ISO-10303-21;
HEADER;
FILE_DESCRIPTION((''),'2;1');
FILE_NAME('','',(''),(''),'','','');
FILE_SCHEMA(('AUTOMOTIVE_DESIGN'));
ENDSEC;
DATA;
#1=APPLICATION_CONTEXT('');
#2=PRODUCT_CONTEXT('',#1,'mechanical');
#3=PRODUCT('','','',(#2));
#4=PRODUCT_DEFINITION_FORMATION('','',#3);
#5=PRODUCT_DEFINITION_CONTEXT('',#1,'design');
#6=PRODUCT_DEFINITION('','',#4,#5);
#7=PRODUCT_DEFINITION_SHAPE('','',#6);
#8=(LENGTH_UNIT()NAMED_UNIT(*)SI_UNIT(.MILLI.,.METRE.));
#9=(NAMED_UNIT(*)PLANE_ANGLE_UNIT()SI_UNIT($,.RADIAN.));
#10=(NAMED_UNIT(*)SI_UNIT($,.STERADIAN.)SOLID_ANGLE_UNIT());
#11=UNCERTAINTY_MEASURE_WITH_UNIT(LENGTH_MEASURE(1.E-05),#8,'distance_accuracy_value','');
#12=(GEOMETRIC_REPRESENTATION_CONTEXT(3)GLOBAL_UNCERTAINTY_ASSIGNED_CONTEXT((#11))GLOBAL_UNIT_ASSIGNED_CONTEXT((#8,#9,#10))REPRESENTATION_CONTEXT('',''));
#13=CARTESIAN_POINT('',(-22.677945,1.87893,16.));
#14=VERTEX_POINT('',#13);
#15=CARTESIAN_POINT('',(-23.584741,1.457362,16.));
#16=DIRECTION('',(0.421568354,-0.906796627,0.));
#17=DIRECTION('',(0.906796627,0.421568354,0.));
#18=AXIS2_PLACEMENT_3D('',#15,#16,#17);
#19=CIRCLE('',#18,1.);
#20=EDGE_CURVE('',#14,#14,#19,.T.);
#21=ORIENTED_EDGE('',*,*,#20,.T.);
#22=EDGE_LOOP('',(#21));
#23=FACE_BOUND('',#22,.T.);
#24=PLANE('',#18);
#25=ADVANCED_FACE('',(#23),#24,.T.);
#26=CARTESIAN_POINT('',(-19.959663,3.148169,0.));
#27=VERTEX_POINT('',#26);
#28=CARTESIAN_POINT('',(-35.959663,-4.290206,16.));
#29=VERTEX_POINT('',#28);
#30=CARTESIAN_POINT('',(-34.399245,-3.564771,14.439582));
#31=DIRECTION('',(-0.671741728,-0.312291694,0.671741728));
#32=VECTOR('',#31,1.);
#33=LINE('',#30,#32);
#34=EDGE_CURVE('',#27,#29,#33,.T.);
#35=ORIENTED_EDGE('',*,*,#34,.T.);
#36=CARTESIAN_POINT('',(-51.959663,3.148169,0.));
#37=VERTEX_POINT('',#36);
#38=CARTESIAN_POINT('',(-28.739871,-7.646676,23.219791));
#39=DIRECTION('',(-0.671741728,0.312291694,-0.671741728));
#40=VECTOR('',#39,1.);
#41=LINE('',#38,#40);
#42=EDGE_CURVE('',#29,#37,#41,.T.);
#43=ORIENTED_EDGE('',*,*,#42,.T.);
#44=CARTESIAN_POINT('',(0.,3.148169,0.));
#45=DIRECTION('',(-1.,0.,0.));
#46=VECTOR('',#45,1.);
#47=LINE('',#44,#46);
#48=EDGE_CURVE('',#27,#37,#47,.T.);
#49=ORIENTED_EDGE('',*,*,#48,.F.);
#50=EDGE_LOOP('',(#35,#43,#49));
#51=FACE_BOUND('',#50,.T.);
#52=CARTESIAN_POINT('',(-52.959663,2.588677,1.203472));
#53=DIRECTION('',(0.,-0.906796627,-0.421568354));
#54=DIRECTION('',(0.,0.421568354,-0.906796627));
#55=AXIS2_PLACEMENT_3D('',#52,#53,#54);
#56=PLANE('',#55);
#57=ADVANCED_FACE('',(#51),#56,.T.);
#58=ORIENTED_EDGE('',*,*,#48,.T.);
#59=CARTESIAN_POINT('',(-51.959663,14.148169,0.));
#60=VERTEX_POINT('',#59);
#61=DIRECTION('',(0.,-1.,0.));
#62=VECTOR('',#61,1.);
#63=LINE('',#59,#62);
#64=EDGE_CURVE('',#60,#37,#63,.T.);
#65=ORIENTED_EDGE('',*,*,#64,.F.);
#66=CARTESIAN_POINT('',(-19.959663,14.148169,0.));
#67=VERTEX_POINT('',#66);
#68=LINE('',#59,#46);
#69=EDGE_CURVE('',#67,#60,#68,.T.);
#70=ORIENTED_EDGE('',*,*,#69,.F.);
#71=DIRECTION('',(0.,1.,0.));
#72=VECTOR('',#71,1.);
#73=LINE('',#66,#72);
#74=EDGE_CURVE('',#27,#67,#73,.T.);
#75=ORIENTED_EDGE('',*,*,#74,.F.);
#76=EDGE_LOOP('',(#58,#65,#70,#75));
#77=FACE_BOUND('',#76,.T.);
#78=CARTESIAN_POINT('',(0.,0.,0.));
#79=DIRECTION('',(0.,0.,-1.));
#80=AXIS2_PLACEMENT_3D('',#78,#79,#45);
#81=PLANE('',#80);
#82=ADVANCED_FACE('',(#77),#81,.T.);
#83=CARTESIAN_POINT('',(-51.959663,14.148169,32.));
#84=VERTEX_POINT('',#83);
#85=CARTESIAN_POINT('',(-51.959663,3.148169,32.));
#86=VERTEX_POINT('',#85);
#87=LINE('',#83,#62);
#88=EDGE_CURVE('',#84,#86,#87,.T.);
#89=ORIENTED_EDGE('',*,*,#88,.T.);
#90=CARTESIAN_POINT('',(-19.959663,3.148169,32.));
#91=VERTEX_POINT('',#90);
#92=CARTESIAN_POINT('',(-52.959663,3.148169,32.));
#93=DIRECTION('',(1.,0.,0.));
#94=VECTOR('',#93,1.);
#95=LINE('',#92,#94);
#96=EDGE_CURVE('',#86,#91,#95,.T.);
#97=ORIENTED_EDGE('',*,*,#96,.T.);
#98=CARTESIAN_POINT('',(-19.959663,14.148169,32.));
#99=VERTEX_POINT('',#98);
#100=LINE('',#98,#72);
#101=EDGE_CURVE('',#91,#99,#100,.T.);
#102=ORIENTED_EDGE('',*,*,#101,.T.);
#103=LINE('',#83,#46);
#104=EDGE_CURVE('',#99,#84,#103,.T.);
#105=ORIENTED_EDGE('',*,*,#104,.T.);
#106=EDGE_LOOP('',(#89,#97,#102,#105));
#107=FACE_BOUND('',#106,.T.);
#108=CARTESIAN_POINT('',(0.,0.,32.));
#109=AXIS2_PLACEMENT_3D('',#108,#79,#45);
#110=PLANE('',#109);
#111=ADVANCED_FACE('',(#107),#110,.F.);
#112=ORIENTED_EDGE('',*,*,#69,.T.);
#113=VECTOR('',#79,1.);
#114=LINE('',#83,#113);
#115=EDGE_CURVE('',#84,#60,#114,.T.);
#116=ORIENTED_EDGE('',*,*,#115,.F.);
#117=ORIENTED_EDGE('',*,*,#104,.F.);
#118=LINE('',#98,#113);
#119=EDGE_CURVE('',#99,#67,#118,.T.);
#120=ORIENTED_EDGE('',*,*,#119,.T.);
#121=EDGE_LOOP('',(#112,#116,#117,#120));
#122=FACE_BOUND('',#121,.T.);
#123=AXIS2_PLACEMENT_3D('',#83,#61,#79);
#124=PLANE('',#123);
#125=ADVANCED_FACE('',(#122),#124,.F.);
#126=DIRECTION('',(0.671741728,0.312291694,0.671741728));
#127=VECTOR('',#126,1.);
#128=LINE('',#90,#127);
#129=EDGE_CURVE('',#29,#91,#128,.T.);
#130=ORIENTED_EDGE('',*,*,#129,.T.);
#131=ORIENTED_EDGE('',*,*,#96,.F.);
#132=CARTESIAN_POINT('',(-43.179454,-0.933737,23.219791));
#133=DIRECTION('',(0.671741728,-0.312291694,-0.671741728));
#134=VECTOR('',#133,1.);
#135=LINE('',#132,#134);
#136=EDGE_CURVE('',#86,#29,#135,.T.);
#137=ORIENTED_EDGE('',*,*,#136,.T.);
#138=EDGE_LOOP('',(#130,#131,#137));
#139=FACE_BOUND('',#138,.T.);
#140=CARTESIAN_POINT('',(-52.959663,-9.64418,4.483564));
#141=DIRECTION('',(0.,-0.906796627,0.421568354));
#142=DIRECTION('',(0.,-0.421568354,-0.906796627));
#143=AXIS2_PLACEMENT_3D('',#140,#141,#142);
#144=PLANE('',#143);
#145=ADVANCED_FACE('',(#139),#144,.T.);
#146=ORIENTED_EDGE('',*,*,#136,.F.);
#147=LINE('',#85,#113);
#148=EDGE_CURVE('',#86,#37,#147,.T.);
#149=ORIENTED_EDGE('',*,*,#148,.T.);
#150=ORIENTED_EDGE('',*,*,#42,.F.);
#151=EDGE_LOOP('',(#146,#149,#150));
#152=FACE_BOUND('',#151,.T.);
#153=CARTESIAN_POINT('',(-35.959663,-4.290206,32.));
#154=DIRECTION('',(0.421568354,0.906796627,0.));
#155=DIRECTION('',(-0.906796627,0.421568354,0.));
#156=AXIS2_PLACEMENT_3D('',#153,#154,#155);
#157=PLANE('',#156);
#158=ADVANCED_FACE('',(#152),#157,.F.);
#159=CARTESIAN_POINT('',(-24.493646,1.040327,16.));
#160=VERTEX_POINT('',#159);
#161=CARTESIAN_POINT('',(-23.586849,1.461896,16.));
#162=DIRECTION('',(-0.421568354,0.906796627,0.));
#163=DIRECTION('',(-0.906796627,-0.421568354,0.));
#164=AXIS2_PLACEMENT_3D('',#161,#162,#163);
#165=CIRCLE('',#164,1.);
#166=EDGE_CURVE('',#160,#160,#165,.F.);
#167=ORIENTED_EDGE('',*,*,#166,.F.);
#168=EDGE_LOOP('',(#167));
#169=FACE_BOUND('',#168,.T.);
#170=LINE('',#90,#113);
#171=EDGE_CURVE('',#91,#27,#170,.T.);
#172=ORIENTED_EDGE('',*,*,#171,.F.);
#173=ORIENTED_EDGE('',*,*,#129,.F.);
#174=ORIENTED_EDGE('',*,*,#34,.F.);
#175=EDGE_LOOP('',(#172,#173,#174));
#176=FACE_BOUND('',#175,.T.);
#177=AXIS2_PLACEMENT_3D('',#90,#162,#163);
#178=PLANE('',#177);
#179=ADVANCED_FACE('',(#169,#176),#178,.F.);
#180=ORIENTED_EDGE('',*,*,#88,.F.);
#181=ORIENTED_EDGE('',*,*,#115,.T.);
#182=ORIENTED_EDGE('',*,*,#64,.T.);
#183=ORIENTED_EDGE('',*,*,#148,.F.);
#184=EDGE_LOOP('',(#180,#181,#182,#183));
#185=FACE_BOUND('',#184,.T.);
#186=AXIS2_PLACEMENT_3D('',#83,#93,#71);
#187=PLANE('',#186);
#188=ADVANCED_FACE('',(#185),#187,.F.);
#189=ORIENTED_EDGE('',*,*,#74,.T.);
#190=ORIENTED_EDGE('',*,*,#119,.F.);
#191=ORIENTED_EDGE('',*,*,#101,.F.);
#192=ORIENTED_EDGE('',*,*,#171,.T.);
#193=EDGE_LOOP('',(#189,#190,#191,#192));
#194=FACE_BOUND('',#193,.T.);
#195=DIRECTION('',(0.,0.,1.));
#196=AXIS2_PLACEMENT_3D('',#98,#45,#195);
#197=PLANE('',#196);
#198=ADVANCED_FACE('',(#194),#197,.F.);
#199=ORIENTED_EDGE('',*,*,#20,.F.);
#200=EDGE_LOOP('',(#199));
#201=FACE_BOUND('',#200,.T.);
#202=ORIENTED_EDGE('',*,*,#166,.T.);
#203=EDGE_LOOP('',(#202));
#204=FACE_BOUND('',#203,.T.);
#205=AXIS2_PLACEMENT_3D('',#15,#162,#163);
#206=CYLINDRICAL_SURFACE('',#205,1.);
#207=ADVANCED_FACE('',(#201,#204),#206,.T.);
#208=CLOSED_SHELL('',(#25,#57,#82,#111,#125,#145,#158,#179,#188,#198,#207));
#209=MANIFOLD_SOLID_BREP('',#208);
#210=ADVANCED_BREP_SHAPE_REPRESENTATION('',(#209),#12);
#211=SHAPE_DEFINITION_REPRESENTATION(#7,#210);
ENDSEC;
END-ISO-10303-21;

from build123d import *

# Parameters (mm, degrees)
SALIENTE_EXTRUIR1_DEPTH = 32
CORTAR_EXTRUIR1_DEPTH   = 33
CROQUIS4_R              = 1
SALIENTE_EXTRUIR2_DEPTH = 0.005


with BuildPart() as part:
    # Croquis1 → Saliente-Extruir1 (new body)
    with BuildSketch(Plane.XY):
        Polygon((-51.959662641, 14.148169014), (-51.959662641, 3.148169014), (-35.959662641, -4.290206314), (-19.959662641, 3.148169014), (-19.959662641, 14.148169014), align=None)
    extrude(amount=SALIENTE_EXTRUIR1_DEPTH)

    # Croquis2 → Cortar-Extruir1 (cut)
    with BuildSketch(Plane(origin=(-19.959662641, 0, 0), x_dir=(0, 0, -1), z_dir=(1, 0, 0))):
        Polygon((0, -4.290206314), (-16, -4.290206314), (0, 3.148169014), align=None)
        Polygon((-32, -4.290206314), (-32, 3.148169014), (-16, -4.290206314), align=None)
    extrude(amount=-CORTAR_EXTRUIR1_DEPTH, mode=Mode.SUBTRACT)

    # Croquis4 → Saliente-Extruir2 (add)
    with BuildSketch(Plane(origin=(-4.750700642, 10.218791996, 0), x_dir=(-0.906796627, -0.421568354, 0), z_dir=(0.421568354, -0.906796627, 0))):
        with Locations((20.772186335, -16)):
            Circle(CROQUIS4_R)
    extrude(amount=SALIENTE_EXTRUIR2_DEPTH)


solid = part.part
